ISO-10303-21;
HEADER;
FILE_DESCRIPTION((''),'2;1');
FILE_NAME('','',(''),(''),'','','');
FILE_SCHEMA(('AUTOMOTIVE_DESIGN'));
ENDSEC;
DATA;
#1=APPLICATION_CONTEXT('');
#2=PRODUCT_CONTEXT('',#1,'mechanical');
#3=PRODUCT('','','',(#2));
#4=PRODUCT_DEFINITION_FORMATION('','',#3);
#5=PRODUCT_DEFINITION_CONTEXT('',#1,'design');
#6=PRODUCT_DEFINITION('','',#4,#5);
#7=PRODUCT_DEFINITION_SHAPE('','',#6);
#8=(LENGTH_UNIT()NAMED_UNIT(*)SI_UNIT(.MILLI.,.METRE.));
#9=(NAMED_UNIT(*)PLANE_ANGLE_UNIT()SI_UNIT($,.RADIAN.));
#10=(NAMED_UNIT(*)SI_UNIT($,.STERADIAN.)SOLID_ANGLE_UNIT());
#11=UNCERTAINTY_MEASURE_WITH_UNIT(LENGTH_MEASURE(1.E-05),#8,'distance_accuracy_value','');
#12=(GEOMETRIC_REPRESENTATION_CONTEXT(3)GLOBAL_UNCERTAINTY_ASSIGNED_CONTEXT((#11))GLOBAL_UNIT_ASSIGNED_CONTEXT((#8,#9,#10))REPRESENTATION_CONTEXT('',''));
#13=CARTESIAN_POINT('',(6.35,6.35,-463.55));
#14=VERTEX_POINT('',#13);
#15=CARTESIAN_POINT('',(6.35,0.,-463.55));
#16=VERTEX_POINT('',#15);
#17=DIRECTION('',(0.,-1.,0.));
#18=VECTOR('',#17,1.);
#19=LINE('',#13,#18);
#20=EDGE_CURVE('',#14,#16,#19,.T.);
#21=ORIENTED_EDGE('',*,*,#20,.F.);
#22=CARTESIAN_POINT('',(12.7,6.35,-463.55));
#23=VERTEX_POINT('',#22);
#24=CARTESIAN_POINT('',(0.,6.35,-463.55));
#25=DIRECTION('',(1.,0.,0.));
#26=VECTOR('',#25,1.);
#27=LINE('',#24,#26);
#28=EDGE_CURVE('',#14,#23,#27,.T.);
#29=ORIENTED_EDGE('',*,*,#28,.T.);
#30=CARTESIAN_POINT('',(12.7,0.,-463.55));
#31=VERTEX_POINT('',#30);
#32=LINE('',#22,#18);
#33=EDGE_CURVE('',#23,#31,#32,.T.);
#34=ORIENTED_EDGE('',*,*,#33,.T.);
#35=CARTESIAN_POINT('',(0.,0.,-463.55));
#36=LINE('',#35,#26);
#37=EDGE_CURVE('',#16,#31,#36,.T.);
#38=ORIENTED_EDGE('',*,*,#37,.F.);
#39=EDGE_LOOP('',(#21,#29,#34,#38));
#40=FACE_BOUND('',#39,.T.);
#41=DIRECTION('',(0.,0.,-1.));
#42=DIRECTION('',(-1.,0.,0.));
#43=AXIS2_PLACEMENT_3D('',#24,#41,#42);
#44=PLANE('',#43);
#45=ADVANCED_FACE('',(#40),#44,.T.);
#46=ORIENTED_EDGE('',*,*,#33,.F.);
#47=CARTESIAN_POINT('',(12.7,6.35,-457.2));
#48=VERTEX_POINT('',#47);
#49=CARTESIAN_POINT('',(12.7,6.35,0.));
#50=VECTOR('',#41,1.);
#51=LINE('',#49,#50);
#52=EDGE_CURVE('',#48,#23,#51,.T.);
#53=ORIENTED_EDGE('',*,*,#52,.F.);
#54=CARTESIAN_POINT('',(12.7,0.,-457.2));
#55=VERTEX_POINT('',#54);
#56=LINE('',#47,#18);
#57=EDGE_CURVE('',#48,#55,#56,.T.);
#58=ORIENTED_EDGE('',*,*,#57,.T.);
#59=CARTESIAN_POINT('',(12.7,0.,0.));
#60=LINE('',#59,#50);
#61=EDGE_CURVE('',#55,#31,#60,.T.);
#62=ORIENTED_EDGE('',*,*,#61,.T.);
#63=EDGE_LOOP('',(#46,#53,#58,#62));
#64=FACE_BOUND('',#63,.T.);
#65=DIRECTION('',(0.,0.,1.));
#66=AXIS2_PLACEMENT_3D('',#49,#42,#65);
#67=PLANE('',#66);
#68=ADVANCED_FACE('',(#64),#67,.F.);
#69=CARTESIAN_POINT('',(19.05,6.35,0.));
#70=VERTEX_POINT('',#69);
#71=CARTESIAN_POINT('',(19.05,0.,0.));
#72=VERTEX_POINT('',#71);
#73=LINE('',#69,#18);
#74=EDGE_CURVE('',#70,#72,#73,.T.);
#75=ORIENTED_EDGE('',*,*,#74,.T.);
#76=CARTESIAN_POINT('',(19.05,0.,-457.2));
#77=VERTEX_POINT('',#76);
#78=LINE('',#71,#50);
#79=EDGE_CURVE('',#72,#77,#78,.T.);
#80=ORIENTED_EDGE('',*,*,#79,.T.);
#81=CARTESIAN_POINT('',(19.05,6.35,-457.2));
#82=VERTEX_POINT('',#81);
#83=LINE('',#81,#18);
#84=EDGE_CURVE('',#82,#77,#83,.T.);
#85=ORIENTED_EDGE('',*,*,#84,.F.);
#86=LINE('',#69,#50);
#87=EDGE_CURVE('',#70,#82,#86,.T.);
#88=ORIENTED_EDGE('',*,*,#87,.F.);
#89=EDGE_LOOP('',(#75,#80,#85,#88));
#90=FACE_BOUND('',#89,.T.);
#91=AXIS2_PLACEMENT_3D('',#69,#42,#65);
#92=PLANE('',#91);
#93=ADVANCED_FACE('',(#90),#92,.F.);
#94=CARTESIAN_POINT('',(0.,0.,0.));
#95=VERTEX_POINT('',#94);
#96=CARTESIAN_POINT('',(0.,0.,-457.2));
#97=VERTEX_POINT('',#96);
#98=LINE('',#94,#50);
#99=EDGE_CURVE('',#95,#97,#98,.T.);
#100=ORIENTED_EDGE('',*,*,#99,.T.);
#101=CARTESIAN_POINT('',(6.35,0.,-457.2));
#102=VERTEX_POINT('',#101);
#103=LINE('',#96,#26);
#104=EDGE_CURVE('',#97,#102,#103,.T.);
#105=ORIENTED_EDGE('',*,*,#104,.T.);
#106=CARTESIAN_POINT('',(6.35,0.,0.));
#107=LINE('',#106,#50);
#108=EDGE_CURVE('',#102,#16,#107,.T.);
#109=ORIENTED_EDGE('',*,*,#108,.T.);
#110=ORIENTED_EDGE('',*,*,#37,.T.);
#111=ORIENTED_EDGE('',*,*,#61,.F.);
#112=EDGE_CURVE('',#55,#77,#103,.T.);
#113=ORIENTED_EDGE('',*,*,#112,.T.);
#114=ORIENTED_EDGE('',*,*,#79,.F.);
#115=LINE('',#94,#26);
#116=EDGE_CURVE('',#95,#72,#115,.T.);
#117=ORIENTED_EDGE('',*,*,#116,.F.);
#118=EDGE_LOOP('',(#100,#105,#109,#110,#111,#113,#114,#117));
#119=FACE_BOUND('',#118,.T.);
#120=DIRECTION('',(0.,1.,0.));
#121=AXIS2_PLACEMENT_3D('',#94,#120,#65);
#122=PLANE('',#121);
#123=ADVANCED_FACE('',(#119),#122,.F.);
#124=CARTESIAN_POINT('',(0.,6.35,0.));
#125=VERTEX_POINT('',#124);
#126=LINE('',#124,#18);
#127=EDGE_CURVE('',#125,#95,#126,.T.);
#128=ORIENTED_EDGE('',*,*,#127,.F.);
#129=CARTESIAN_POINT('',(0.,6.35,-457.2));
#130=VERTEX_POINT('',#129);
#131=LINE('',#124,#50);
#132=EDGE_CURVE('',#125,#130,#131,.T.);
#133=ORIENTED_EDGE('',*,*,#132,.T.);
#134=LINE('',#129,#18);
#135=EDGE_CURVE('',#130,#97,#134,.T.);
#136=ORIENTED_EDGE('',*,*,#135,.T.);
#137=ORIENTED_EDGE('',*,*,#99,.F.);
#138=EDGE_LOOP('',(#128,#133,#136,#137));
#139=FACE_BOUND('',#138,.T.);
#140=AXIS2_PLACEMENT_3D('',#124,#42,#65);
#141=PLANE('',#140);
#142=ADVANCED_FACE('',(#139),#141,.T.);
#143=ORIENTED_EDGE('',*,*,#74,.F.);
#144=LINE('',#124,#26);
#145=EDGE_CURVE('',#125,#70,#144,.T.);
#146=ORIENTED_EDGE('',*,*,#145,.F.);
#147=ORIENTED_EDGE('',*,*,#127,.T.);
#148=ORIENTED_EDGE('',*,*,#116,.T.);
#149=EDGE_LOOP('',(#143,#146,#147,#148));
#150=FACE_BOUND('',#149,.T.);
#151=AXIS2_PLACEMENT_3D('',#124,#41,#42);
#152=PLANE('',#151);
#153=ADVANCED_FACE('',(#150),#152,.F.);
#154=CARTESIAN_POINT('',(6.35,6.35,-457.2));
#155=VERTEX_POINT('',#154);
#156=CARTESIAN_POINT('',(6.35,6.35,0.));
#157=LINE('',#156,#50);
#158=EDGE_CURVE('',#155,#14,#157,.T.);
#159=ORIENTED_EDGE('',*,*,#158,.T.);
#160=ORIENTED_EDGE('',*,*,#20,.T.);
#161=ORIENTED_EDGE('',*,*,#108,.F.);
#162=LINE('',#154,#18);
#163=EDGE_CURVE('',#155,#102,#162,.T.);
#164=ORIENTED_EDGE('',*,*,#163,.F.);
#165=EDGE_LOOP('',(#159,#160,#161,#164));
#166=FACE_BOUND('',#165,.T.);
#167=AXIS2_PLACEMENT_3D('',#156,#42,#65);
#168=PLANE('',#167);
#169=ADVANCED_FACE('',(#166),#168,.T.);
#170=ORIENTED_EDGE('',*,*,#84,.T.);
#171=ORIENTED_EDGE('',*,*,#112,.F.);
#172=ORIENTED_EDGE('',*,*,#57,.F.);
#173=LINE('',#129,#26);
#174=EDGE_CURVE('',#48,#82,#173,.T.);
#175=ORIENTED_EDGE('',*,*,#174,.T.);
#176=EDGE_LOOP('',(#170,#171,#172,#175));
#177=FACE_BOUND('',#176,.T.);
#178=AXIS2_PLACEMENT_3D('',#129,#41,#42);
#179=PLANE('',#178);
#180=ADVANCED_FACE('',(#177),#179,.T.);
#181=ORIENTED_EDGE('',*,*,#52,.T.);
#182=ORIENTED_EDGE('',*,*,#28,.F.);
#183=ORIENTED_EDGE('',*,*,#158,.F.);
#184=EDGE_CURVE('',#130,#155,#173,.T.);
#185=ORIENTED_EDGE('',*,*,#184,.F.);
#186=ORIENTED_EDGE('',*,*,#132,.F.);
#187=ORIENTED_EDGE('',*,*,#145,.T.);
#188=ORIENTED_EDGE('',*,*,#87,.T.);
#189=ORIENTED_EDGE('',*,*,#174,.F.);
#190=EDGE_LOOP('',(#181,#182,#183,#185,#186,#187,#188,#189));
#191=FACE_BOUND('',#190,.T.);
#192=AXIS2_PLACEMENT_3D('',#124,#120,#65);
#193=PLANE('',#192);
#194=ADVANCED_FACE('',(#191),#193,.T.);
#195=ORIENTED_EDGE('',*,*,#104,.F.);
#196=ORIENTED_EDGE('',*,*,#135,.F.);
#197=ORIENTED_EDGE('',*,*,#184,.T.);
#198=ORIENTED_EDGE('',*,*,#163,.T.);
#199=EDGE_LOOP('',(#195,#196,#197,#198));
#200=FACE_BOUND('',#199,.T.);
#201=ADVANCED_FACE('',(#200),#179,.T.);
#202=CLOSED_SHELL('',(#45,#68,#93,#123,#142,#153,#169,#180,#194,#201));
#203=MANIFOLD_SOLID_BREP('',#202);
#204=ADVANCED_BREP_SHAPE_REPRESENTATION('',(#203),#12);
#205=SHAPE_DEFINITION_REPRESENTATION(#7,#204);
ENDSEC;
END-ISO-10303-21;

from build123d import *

# Parameters (mm, degrees)
SKETCH1_W           = 19.05
SKETCH1_H           = 457.2
SKETCH1_W_2         = 6.35
SKETCH1_H_2         = 6.35
BOSS_EXTRUDE1_DEPTH = 6.35


with BuildPart() as part:
    # Sketch1 → Boss-Extrude1 (new body)
    with BuildSketch(Plane(origin=(0, 0, 0), x_dir=(1, 0, 0), z_dir=(0, 1, 0))):
        with Locations((9.525, 228.6)):
            Rectangle(SKETCH1_W, SKETCH1_H)
        with Locations((9.525, 460.375)):
            Rectangle(SKETCH1_W_2, SKETCH1_H_2)
    extrude(amount=BOSS_EXTRUDE1_DEPTH)


solid = part.part
